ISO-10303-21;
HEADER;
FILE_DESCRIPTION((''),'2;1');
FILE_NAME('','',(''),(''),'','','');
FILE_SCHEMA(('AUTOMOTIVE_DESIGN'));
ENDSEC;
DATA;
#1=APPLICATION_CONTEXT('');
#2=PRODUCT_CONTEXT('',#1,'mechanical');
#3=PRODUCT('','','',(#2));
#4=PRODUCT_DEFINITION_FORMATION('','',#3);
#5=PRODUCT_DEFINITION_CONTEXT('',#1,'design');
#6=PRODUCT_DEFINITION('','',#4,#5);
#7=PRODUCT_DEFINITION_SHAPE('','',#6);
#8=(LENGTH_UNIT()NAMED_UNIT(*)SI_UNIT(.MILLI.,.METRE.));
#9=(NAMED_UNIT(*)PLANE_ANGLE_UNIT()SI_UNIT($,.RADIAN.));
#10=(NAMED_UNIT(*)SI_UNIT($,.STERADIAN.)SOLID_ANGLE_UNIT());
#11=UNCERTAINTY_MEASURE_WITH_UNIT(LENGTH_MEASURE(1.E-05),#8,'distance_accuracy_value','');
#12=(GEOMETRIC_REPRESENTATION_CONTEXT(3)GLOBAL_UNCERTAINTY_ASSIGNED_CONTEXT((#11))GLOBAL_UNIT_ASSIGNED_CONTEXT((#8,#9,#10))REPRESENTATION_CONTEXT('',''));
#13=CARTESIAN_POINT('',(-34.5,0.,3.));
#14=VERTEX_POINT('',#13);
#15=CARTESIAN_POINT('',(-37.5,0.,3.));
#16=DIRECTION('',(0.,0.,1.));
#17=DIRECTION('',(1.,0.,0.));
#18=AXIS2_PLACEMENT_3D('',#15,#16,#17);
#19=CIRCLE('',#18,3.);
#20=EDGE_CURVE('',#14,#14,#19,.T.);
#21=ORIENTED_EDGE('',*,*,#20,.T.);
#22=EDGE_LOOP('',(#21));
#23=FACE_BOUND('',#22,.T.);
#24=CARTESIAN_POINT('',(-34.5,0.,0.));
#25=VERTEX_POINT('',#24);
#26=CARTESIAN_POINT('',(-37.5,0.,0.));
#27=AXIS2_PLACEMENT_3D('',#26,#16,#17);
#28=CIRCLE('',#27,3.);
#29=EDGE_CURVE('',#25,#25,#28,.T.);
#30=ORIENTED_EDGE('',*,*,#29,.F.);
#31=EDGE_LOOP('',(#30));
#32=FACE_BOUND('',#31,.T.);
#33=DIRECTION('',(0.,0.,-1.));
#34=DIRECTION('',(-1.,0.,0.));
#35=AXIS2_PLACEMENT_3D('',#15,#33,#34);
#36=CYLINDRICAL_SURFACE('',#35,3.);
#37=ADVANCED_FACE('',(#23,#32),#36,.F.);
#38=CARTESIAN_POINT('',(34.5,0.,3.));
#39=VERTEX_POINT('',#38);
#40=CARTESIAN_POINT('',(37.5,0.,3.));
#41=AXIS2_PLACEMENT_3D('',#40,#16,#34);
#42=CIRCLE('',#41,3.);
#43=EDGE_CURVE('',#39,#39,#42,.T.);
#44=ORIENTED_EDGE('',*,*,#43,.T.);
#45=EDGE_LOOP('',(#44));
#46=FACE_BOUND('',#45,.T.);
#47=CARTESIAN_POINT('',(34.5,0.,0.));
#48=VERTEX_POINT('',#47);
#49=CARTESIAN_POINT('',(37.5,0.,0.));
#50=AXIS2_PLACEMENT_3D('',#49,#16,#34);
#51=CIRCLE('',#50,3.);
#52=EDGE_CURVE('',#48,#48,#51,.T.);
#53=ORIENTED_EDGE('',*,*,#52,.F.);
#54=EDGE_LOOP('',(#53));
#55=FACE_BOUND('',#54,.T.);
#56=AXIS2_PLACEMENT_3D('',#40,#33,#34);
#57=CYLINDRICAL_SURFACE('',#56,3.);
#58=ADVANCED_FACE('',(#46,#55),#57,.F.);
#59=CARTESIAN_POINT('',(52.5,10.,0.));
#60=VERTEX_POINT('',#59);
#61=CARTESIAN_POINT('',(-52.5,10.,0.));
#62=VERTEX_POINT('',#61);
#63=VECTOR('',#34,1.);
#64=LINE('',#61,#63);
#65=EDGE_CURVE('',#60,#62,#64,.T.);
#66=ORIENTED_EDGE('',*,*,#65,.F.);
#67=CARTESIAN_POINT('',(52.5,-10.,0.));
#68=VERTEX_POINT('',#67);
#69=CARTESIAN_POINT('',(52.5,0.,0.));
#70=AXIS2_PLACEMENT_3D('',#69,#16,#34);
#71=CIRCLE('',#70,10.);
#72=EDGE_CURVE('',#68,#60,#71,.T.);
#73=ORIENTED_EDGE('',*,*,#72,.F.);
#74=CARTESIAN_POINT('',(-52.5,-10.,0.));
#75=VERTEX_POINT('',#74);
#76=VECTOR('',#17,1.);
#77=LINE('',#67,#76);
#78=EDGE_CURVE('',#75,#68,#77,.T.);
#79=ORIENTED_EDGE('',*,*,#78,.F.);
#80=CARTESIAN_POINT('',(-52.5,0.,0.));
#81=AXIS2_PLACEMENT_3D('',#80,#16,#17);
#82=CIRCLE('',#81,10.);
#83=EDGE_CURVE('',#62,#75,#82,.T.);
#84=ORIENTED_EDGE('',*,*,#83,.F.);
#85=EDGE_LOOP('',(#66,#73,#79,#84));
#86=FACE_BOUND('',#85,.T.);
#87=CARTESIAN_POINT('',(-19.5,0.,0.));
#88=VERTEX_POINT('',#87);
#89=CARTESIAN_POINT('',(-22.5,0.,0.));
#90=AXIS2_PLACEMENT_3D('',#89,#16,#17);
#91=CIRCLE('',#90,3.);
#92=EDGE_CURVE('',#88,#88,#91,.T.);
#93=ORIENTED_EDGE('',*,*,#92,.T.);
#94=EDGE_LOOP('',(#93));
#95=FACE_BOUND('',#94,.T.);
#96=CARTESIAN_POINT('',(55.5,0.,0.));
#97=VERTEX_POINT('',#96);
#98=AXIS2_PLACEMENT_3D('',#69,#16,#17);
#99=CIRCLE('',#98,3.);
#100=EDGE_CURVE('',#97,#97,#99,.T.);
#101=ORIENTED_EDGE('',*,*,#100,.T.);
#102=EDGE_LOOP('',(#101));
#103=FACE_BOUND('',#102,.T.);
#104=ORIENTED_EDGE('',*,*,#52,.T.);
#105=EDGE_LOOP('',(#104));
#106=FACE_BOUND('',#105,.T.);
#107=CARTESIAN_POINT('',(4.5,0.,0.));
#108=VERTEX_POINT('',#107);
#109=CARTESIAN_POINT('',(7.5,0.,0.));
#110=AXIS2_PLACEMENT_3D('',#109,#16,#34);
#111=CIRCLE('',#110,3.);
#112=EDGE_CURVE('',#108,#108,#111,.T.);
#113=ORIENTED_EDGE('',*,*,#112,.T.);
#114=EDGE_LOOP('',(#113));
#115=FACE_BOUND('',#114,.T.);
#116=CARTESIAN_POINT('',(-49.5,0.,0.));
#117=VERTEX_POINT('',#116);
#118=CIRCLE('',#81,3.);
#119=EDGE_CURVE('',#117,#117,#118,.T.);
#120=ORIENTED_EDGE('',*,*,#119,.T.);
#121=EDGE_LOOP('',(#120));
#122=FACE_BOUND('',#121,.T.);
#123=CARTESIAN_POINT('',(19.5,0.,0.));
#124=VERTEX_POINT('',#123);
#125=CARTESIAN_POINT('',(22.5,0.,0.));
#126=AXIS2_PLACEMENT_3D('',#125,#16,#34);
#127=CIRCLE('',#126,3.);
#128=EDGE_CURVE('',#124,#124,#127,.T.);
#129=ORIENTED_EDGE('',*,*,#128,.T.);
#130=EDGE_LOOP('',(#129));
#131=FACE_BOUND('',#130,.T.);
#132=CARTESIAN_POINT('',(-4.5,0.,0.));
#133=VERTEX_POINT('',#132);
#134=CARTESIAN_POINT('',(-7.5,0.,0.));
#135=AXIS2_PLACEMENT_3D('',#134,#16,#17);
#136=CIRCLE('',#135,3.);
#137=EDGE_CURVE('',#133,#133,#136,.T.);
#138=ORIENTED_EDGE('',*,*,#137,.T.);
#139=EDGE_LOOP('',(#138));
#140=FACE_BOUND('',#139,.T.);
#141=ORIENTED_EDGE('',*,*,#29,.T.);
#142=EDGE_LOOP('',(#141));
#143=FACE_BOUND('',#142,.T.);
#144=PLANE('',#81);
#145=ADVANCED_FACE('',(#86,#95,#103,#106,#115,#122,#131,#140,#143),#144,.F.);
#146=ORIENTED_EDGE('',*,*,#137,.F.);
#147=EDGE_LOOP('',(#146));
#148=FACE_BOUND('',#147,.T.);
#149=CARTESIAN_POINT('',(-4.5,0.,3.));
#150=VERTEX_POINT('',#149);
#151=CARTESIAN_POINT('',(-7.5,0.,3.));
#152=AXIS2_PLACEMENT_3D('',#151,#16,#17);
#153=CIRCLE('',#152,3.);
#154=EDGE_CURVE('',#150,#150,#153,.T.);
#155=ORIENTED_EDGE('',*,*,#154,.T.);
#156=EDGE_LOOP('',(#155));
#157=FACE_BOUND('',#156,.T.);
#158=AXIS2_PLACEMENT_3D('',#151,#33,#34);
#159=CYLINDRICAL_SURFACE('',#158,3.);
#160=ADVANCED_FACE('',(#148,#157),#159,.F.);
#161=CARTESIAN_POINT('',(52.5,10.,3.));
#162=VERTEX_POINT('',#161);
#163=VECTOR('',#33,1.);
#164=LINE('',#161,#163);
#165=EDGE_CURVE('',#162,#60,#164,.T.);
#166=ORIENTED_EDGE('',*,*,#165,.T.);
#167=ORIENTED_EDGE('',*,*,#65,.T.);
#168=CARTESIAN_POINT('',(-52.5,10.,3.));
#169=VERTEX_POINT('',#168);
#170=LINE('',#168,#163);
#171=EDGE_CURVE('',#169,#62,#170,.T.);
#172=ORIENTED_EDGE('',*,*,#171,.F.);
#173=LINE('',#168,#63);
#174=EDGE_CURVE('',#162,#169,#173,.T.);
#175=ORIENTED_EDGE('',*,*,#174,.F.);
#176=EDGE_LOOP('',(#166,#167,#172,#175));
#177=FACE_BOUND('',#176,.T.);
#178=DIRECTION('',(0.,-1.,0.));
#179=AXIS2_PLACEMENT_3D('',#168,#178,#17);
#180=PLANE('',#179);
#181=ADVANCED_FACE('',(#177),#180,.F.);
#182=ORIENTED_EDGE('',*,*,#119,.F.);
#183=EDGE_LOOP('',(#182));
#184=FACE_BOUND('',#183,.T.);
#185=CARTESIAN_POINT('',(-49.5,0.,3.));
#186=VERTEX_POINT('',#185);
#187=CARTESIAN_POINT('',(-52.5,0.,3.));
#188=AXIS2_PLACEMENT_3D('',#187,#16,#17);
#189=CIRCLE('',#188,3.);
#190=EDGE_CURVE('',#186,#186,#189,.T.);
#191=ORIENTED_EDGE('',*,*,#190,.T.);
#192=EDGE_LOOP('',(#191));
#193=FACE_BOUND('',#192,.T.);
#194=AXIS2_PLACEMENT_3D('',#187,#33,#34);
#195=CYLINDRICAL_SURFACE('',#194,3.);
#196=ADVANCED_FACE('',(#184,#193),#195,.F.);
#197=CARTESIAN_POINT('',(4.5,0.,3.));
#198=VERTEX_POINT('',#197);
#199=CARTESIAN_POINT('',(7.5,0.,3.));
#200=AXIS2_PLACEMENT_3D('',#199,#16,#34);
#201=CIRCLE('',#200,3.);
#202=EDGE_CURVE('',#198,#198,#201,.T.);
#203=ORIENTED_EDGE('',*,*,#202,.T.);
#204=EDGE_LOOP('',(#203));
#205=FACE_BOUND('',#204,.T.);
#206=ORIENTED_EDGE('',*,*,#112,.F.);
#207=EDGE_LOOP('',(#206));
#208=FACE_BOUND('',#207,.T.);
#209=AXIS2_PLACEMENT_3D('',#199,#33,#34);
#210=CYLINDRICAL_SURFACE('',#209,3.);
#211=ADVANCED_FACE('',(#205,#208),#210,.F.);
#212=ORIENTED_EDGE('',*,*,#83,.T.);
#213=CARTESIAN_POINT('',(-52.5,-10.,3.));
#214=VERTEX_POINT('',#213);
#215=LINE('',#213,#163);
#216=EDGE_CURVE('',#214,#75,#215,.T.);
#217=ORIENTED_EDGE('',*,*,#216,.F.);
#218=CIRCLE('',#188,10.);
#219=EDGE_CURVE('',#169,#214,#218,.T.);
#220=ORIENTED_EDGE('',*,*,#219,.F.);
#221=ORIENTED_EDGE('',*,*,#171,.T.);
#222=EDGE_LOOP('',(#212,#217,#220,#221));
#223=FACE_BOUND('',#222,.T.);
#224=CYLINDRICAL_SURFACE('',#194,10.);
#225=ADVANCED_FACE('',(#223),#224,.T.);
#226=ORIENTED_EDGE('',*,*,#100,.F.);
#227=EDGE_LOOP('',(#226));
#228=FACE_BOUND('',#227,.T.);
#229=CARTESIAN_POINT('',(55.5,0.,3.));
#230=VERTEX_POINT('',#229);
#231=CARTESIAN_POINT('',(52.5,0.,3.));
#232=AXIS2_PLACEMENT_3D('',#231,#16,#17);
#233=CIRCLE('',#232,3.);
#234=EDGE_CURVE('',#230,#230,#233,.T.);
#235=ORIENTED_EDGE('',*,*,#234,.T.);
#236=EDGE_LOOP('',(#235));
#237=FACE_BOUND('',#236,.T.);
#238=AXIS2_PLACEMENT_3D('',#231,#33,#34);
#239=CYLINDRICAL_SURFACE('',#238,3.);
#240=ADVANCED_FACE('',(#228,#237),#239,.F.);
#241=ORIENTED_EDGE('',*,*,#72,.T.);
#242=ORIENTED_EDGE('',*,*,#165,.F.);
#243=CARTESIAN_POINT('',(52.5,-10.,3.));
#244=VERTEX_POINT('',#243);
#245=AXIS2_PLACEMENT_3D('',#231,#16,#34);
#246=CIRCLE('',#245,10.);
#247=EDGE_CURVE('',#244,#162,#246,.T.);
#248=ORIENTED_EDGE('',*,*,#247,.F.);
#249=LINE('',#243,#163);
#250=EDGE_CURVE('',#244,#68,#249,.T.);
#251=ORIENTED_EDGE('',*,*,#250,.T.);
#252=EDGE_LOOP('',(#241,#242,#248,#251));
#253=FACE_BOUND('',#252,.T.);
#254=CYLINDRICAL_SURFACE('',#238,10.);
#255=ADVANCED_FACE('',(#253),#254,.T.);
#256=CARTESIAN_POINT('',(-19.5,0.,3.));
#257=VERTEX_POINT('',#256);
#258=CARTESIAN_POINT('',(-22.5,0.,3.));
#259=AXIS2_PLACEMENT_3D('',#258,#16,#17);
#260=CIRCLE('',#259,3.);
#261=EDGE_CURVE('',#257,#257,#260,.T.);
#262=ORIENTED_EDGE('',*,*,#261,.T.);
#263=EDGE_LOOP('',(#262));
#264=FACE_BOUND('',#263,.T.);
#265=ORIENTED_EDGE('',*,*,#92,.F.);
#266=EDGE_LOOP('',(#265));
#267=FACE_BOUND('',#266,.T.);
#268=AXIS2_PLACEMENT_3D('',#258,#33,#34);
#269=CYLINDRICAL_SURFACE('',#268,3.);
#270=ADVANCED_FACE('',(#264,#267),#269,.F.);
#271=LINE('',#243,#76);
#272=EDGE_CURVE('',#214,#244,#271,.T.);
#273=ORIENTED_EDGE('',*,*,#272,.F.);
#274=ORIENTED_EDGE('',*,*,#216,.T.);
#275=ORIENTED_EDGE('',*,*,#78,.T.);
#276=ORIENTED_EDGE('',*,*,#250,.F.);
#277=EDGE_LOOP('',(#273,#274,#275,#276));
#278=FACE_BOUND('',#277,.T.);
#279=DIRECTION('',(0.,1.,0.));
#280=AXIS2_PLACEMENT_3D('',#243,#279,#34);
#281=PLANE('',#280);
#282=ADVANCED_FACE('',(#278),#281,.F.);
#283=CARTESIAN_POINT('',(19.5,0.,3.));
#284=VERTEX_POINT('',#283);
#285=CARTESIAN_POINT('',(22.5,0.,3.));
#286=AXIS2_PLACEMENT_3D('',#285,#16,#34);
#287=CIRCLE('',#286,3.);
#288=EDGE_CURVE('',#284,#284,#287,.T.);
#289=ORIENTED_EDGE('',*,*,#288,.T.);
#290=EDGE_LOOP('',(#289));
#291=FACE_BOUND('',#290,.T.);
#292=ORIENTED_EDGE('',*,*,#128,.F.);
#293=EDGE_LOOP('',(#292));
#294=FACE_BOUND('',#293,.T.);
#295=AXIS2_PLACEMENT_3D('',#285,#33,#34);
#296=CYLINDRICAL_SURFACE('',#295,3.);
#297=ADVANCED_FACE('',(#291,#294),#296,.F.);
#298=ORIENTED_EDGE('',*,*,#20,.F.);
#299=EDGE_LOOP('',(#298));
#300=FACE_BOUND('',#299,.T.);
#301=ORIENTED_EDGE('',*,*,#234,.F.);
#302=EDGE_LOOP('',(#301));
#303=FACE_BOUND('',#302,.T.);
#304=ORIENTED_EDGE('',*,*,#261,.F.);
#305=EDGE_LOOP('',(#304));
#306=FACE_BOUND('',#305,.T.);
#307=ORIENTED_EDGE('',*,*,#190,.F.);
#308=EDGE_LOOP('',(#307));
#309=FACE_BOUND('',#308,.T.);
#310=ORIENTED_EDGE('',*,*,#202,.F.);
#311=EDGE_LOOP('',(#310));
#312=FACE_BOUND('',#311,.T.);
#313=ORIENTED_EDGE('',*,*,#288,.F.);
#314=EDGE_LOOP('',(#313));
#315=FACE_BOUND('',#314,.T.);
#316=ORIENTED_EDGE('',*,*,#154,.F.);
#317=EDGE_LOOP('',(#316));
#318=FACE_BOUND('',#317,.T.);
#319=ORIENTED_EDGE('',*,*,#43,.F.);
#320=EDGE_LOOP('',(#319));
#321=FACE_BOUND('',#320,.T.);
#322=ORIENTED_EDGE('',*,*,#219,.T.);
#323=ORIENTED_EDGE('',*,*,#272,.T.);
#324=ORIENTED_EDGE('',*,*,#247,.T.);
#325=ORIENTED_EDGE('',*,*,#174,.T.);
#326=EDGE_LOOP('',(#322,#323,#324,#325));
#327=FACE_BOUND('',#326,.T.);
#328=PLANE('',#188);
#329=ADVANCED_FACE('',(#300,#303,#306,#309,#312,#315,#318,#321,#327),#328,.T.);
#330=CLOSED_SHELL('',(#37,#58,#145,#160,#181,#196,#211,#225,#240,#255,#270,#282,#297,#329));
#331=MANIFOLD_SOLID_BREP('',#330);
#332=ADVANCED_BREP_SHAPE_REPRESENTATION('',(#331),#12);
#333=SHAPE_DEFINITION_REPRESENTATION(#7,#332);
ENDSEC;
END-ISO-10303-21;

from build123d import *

# Parameters (mm, degrees)
SKETCH3_R           = 3
BOSS_EXTRUDE1_DEPTH = 3


with BuildPart() as part:
    # Sketch3 → Boss-Extrude1 (new body)
    with BuildSketch(Plane.XY):
        with BuildLine():
            Line((-52.5, 10), (52.5, 10))
            ThreePointArc((52.5, 10), (62.5, 0), (52.5, -10))
            Line((52.5, -10), (-52.5, -10))
            ThreePointArc((-52.5, -10), (-62.5, 0), (-52.5, 10))
        make_face()
        with Locations((52.5, 0)):
            Circle(SKETCH3_R, mode=Mode.SUBTRACT)
        with Locations((-52.5, 0)):
            Circle(SKETCH3_R, mode=Mode.SUBTRACT)
        with Locations((-37.5, 0)):
            Circle(SKETCH3_R, mode=Mode.SUBTRACT)
        with Locations((-22.5, 0)):
            Circle(SKETCH3_R, mode=Mode.SUBTRACT)
        with Locations((-7.5, 0)):
            Circle(SKETCH3_R, mode=Mode.SUBTRACT)
        with Locations(Location((7.5, 0, 0), (0, 0, 180))):
            Circle(SKETCH3_R, mode=Mode.SUBTRACT)
        with Locations(Location((22.5, 0, 0), (0, 0, 180))):
            Circle(SKETCH3_R, mode=Mode.SUBTRACT)
        with Locations(Location((37.5, 0, 0), (0, 0, 180))):
            Circle(SKETCH3_R, mode=Mode.SUBTRACT)
    extrude(amount=BOSS_EXTRUDE1_DEPTH)


solid = part.part
